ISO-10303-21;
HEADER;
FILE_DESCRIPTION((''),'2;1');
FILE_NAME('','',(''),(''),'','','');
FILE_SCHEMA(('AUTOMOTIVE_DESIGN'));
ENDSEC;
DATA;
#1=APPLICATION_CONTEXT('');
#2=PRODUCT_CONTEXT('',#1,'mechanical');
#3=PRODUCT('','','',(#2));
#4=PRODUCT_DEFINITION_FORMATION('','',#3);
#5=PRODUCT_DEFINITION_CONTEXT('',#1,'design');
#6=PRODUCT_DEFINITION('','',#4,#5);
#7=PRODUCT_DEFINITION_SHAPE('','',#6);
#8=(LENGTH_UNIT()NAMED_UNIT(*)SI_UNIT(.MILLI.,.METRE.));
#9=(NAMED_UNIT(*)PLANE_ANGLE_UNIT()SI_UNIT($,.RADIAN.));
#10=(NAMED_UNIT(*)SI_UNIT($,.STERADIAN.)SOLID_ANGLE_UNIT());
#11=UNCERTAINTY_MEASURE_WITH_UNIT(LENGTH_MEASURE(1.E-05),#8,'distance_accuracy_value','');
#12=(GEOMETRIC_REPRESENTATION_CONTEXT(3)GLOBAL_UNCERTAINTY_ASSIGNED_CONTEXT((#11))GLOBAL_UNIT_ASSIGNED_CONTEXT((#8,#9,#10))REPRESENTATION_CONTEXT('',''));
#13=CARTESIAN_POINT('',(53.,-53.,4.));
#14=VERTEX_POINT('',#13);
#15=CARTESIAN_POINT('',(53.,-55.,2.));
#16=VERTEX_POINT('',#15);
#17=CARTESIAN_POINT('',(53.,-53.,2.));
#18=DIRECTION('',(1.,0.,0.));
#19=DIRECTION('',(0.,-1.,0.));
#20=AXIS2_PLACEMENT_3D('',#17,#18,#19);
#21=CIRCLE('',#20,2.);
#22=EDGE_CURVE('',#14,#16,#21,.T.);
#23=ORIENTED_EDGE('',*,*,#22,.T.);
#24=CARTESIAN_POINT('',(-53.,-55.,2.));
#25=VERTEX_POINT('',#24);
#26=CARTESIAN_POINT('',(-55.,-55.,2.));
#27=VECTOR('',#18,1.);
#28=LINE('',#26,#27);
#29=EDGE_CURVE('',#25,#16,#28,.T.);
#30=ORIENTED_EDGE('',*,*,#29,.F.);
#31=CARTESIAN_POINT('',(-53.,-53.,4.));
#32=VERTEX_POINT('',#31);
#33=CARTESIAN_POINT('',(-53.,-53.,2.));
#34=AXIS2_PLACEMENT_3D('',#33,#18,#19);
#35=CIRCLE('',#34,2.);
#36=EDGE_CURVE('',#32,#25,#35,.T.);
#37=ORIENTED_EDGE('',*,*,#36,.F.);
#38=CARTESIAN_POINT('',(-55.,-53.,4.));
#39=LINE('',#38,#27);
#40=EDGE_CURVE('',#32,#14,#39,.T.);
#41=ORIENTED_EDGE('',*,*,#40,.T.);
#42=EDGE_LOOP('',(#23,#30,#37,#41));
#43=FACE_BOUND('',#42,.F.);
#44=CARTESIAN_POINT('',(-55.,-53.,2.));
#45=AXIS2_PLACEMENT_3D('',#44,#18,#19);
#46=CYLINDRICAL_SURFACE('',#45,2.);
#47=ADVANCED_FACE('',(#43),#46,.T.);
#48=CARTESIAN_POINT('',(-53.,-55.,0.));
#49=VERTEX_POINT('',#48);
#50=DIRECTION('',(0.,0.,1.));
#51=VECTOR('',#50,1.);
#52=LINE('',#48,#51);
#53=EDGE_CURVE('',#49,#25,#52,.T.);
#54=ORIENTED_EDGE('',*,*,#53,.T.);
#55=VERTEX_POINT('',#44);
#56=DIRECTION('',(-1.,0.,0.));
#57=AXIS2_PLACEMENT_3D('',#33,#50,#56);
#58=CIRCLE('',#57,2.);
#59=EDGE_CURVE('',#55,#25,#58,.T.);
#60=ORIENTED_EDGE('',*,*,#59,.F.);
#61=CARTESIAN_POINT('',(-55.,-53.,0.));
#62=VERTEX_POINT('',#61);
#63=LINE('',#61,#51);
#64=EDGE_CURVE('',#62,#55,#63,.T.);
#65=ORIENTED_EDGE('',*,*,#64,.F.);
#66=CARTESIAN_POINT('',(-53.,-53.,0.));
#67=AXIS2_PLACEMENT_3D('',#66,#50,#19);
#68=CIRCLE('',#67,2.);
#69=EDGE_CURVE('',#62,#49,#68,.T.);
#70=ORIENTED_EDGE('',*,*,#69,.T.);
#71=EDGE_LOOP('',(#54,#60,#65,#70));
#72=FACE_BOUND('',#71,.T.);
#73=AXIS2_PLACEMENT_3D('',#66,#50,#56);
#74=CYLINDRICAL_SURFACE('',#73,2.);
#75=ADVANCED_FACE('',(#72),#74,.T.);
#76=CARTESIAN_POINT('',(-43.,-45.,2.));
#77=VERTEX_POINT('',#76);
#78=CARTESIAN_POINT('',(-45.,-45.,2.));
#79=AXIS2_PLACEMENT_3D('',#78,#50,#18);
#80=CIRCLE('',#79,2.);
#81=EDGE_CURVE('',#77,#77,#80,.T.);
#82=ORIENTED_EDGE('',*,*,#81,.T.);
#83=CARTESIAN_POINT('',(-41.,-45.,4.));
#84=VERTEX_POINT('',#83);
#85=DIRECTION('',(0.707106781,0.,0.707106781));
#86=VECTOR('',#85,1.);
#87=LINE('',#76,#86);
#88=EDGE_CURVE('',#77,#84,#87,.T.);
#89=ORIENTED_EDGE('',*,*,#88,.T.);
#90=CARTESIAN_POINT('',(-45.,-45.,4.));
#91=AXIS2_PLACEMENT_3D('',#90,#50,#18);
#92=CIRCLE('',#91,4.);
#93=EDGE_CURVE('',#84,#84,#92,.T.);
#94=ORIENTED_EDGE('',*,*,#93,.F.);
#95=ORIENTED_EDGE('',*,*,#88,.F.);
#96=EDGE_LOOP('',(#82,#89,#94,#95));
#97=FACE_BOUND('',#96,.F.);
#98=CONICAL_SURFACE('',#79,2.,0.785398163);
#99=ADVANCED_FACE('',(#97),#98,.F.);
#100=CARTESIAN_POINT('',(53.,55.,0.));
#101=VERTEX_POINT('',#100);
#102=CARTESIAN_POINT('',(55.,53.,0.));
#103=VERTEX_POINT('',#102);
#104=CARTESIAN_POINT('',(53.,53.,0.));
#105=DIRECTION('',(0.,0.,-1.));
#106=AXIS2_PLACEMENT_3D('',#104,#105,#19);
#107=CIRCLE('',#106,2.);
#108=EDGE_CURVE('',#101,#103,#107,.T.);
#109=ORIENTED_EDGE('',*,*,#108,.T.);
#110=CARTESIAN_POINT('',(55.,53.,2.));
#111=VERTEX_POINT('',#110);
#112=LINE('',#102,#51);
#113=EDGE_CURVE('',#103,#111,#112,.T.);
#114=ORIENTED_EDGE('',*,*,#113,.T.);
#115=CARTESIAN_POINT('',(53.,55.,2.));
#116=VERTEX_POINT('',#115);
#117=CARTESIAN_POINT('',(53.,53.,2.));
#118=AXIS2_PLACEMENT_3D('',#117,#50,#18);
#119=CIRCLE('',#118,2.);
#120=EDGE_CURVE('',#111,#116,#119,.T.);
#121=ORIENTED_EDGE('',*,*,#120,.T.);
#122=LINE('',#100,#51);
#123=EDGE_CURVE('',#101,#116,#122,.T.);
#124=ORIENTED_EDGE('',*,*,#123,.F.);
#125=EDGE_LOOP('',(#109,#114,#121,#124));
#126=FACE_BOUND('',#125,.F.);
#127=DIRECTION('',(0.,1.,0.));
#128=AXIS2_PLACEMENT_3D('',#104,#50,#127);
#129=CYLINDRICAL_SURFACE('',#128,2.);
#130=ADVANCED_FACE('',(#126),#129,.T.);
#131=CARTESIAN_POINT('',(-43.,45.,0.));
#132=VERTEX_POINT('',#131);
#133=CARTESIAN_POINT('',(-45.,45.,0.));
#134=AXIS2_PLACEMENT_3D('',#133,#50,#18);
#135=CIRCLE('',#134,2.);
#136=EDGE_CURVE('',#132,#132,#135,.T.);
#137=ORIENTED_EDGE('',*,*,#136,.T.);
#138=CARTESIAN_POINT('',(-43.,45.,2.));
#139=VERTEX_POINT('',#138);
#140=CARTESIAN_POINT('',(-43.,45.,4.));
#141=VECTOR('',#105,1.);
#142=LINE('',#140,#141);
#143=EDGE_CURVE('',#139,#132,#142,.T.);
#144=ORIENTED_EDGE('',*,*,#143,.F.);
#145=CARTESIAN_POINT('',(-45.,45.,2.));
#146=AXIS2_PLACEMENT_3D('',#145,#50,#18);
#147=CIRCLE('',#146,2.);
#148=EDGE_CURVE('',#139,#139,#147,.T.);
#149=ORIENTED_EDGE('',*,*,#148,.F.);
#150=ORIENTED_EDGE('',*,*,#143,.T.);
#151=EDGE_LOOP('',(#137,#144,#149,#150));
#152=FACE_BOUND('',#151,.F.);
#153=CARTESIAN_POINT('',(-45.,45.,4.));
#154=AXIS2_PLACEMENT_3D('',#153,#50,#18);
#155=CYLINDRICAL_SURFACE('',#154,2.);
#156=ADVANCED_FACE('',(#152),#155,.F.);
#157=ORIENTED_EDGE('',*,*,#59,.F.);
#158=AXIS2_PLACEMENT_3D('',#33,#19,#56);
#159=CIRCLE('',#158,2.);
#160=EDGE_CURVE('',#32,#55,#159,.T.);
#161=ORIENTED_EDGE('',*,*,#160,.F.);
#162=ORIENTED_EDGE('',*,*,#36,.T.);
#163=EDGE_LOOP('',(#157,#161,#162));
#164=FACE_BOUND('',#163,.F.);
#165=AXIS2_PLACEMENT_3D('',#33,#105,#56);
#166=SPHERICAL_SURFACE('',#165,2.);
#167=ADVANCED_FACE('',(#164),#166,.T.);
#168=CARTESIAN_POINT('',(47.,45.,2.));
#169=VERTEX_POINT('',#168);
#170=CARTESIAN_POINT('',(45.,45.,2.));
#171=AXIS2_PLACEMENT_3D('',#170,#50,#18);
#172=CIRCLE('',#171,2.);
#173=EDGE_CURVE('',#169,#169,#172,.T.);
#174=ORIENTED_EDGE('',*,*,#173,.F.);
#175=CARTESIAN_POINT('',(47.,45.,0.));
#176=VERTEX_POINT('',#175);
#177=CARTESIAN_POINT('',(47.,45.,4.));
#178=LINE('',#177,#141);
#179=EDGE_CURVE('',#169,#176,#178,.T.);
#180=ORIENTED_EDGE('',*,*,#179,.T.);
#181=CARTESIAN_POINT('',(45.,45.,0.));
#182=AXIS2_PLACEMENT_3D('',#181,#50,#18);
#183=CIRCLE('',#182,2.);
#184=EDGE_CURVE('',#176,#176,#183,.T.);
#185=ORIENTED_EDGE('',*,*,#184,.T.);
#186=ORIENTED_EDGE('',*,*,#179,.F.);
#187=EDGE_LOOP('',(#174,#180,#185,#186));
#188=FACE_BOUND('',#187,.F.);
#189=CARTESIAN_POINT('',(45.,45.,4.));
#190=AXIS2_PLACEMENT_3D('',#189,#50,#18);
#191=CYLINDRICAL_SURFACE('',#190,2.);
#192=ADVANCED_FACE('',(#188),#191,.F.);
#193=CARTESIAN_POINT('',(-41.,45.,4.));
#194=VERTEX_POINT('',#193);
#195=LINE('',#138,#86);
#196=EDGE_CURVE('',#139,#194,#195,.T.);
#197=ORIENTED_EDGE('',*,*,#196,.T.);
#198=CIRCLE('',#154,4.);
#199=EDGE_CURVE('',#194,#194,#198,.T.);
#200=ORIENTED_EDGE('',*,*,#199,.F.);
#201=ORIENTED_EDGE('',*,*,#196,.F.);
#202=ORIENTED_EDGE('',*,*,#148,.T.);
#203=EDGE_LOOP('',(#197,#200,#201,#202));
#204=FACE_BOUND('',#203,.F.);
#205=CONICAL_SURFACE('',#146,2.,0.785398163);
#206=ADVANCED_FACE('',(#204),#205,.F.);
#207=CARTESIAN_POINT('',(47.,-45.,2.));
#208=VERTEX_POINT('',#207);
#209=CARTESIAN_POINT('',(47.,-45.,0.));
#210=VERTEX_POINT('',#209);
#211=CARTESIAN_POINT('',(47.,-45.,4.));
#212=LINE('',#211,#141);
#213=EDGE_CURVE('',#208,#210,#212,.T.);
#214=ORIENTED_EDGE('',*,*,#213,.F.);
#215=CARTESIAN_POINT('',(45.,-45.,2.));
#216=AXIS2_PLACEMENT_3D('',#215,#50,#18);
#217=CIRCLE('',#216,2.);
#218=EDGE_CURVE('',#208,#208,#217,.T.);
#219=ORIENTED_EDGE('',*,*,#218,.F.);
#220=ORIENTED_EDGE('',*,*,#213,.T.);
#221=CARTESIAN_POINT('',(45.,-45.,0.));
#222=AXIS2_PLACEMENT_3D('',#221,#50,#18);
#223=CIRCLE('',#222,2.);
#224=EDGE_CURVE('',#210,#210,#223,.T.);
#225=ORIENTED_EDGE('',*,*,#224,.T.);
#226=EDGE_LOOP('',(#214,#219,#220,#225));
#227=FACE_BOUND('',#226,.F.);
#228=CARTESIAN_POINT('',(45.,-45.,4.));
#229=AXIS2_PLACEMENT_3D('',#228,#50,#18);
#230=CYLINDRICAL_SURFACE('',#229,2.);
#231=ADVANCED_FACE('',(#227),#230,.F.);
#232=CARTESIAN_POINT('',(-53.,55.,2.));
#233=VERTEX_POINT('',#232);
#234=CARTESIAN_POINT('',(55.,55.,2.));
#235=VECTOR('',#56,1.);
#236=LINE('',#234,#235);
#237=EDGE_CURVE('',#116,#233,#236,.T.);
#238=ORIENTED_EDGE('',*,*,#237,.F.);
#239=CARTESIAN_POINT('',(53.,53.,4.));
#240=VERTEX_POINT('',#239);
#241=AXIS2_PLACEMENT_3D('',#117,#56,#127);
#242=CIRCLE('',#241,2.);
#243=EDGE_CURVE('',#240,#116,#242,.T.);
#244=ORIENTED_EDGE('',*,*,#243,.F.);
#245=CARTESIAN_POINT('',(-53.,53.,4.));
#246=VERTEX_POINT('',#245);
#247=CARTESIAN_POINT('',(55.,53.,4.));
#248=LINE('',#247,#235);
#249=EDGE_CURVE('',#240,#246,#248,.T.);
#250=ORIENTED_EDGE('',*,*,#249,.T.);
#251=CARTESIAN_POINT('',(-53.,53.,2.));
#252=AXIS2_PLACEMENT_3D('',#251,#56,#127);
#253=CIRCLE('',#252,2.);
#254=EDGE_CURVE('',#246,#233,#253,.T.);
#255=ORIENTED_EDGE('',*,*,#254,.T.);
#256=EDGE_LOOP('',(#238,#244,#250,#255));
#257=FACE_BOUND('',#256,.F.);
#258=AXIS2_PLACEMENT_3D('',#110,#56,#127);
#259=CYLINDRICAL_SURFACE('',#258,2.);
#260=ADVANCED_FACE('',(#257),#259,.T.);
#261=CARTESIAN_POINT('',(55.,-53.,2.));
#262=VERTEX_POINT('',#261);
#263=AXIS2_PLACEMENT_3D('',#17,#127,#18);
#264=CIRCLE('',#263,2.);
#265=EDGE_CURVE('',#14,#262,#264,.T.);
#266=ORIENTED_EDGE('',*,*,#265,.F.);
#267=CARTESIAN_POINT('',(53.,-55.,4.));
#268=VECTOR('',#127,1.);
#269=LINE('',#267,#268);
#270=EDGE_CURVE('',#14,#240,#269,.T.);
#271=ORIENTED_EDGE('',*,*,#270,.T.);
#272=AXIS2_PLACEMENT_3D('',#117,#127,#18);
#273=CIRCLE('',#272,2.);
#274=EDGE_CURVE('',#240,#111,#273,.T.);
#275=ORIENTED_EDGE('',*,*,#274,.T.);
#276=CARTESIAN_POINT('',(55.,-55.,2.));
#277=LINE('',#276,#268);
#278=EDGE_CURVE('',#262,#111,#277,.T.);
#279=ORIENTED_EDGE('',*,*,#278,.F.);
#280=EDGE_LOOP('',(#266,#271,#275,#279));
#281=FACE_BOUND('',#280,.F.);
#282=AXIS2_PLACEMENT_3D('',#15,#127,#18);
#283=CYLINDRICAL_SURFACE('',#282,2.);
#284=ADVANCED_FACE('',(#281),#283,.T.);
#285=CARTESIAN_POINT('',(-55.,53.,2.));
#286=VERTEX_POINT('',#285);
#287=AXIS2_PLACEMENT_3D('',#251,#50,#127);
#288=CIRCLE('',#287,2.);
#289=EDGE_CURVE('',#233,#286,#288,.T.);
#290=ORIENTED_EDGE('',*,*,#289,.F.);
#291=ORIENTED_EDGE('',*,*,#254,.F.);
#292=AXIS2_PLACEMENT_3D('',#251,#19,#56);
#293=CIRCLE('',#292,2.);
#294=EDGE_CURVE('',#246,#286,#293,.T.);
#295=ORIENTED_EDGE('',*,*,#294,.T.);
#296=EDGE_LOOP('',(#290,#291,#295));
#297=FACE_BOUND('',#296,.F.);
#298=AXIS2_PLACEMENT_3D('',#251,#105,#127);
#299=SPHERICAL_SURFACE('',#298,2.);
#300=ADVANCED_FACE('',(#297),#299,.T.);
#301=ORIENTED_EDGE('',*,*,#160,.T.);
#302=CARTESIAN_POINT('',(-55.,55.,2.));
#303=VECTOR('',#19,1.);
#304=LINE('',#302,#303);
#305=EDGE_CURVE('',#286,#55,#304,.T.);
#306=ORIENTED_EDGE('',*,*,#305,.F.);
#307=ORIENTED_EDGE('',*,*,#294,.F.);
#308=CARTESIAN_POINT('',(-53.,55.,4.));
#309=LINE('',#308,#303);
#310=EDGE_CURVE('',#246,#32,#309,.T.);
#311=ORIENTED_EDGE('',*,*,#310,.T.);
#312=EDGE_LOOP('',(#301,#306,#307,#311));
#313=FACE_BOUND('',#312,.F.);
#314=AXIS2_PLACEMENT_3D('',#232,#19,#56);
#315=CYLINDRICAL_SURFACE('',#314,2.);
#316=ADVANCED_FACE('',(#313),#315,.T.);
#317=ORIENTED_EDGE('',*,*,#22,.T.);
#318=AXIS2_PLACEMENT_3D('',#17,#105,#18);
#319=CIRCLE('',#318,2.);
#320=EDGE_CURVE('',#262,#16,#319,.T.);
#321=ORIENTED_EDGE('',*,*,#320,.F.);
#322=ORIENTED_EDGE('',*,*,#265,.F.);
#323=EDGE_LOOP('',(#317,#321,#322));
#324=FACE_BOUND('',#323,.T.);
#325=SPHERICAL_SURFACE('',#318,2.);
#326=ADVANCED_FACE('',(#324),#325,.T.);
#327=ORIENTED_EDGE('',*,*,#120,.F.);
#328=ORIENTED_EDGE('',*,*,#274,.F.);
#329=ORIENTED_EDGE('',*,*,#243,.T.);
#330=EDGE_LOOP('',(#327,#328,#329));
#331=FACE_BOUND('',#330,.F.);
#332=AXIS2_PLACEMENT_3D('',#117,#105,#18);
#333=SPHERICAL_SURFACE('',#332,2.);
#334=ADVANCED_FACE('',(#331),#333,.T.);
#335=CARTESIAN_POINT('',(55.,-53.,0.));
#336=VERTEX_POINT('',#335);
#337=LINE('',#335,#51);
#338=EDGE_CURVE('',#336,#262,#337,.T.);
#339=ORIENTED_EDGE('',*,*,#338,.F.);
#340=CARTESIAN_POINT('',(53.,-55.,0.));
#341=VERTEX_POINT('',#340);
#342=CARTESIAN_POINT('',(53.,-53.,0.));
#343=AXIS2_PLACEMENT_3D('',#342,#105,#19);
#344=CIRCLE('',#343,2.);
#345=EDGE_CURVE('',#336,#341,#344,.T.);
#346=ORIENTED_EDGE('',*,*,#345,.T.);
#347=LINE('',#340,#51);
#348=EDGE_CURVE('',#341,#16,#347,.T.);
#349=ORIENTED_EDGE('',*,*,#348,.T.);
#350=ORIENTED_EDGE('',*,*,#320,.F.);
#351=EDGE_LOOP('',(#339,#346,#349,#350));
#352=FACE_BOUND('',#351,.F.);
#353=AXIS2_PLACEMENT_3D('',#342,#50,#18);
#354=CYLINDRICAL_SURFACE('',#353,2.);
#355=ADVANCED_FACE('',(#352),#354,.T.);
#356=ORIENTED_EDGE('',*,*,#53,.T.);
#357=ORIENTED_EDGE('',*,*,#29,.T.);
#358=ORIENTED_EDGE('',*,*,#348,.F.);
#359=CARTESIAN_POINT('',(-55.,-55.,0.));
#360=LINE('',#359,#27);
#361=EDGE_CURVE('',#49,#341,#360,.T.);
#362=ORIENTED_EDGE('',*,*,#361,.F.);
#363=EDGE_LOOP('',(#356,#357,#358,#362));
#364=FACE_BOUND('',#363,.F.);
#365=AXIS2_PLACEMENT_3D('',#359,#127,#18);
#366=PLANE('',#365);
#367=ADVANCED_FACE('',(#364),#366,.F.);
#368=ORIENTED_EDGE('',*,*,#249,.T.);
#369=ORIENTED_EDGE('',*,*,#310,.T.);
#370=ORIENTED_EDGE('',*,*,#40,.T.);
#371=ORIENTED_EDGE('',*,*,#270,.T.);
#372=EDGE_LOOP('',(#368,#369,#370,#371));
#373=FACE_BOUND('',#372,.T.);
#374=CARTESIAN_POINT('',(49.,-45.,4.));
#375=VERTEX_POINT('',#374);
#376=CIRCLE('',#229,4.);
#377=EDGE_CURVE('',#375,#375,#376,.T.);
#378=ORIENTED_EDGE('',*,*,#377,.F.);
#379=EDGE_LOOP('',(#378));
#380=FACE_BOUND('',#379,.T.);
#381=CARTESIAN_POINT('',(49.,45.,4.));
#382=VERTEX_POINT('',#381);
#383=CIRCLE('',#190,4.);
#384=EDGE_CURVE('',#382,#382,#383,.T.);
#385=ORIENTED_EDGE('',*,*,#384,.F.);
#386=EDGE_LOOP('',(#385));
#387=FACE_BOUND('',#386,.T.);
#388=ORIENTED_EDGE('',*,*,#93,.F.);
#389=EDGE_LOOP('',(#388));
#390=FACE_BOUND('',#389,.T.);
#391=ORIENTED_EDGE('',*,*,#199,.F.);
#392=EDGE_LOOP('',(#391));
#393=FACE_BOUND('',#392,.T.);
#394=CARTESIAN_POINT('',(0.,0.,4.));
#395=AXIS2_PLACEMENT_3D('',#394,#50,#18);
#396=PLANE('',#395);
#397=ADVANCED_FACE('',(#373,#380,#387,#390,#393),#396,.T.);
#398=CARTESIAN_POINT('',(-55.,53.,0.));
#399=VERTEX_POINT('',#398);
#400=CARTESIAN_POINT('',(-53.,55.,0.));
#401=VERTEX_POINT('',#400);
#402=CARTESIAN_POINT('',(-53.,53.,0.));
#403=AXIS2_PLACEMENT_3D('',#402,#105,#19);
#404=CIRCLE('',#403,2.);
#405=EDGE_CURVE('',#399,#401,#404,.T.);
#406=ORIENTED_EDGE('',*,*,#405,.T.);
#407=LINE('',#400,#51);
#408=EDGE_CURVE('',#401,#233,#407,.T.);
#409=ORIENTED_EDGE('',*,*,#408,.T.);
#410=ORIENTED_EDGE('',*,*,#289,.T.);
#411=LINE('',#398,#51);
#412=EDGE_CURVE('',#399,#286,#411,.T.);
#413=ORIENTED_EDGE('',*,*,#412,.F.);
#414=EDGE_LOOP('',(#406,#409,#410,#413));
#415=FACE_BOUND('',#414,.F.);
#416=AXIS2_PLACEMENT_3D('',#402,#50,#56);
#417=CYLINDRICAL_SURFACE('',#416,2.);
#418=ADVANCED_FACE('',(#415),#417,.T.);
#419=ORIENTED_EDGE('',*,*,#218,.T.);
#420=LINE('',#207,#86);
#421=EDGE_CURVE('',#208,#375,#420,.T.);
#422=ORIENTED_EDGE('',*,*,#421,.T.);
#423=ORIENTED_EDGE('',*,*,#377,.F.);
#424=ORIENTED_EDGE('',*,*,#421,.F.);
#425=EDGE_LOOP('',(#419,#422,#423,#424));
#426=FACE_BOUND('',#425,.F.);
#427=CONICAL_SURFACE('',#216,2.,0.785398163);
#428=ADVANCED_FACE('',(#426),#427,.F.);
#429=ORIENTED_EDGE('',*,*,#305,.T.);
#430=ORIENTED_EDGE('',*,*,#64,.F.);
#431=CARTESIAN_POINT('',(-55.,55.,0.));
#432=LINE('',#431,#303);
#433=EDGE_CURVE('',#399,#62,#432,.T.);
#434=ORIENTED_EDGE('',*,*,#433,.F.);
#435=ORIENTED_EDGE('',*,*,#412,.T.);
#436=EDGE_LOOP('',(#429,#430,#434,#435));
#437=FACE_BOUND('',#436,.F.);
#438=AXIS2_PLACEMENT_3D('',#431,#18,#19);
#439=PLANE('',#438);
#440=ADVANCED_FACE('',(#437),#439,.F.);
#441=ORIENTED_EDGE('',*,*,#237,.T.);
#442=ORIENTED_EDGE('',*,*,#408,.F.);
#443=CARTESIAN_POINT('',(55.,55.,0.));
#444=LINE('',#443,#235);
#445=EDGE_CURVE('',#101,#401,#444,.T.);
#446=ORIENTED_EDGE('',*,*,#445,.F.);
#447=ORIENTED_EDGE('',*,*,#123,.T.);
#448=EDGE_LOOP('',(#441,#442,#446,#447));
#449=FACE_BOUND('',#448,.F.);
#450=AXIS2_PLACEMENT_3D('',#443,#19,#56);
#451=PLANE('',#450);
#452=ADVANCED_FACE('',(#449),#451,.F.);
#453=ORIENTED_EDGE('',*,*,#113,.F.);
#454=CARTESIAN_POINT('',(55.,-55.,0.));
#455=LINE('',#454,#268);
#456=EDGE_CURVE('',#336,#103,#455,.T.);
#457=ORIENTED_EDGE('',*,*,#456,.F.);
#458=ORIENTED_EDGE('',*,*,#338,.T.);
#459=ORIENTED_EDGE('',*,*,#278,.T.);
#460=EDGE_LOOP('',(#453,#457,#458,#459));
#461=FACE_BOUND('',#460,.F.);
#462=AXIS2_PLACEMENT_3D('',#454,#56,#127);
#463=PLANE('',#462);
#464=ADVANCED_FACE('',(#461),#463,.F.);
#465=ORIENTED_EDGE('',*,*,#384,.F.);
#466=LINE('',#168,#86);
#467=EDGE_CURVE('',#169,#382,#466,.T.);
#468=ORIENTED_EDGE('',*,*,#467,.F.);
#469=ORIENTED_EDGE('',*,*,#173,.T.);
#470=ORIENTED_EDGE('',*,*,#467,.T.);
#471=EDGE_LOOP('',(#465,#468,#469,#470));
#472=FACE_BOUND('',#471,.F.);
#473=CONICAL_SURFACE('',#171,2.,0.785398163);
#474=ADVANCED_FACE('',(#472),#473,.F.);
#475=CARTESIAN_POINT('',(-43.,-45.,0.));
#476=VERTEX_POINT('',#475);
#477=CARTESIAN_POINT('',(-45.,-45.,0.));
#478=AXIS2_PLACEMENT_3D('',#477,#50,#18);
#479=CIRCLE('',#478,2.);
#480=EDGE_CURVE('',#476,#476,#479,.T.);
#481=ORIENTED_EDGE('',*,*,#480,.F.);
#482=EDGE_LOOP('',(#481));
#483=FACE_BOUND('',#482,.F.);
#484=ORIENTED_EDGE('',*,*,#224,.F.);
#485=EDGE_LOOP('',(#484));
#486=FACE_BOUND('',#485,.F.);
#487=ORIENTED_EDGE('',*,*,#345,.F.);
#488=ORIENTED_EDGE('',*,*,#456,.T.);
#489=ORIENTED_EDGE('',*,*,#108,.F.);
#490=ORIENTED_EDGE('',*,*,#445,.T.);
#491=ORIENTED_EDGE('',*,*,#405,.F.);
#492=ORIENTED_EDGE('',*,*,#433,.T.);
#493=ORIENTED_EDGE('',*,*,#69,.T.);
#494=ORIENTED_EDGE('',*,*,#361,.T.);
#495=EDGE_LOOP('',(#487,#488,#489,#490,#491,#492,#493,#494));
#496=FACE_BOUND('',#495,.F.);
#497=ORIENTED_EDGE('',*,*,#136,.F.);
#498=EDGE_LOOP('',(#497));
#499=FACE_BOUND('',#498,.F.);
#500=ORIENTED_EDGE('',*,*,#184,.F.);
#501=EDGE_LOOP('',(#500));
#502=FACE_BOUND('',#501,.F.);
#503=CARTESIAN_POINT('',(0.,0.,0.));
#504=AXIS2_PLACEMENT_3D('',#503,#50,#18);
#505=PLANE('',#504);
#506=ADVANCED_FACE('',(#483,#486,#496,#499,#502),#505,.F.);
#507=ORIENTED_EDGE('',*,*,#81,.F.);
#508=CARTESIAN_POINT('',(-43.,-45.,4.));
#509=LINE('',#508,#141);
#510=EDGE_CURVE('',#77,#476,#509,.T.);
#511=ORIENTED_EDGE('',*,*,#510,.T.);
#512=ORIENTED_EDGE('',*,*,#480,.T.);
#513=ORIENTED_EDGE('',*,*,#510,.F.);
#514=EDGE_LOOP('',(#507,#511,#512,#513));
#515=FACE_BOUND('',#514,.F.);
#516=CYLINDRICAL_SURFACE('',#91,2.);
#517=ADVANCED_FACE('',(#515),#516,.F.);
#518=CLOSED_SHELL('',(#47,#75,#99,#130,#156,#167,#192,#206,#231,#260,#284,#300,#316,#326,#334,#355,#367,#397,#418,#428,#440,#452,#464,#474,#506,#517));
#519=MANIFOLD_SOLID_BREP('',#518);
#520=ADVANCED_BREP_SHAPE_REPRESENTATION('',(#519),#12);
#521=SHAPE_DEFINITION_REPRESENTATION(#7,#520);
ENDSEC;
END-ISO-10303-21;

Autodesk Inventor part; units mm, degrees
ref_plane "YZ Plane" through (0, 0, 0) normal (1, 0, 0) x (0, 1, 0)
ref_plane "XZ Plane" through (0, 0, 0) normal (0, 1, 0) x (-1, 0, 0)
ref_plane "XY Plane" through (0, 0, 0) normal (0, 0, 1) x (1, 0, 0)
sketch "Sketch2" plane through (0, 0, 0) normal (0, 0, 1) x (1, 0, 0)
  line L0 (-55, -55) -> (55, -55)
  line L1 (55, -55) -> (55, 55)
  line L2 (55, 55) -> (-55, 55)
  line L3 (-55, 55) -> (-55, -55)
  line L4 (-55, -55) -> (55, 55) construction
  line L5 (55, -55) -> (-55, 55) construction
  point P0 (0, 0)
  dimension "Lid_Width" = 110
  dimension "Lid_Length" = 110
extrude "Extrusion1" add sketch "Sketch2" along normal blind 4
fillet "Fillet1" radius 2 8 edges at (-55, -55, 2) (-55, 55, 2) (55, 55, 2) (55, -55, 2) (55, 0, 4) (0, 55, 4) (-55, 0, 4) (0, -55, 4)
sketch "Sketch6" plane through (0, 0, 4) normal (0, 0, 1) x (1, 0, 0)
  circle A0 centre (-45, 45) radius 2
  line L0 (53, 55) -> (-53, 55) projected
  line L1 (-55, 53) -> (-55, -53) projected
  line L2 (0, 0) -> (0, 55) construction
  line L3 (0, 0) -> (-55, 0) construction
  circle A1 centre (45, 45) radius 2
  circle A2 centre (-45, -45) radius 2
  circle A3 centre (45, -45) radius 2
  dimension "d26" = 4
  dimension "d27" = 10
  dimension "d28" = 10
extrude "Extrusion4" cut sketch "Sketch6" against normal blind 4
chamfer "Chamfer2" distance 2 angle 45 4 edges at (-47, 45, 4) (43, 45, 4) (43, -45, 4) (-47, -45, 4)
equation "\"Lid_Width\" = PCB_Width + 2 * Offset"
equation "\"Lid_Length\" = PCB_Length + 2 * Offset"
equation "\"d2\" = 2 * Wall_Thickness"
equation "\"d4\" = Wall_Thickness"
equation "\"d29\" = 2 * Wall_Thickness"
equation "\"d31\" = Wall_Thickness"
equation "\"Offset\" = 15"
equation "\"Wall_Thickness\" = 2"
equation "\"PCB_Width\" = 80"
equation "\"PCB_Length\" = 80"
properties part number "Lid"
